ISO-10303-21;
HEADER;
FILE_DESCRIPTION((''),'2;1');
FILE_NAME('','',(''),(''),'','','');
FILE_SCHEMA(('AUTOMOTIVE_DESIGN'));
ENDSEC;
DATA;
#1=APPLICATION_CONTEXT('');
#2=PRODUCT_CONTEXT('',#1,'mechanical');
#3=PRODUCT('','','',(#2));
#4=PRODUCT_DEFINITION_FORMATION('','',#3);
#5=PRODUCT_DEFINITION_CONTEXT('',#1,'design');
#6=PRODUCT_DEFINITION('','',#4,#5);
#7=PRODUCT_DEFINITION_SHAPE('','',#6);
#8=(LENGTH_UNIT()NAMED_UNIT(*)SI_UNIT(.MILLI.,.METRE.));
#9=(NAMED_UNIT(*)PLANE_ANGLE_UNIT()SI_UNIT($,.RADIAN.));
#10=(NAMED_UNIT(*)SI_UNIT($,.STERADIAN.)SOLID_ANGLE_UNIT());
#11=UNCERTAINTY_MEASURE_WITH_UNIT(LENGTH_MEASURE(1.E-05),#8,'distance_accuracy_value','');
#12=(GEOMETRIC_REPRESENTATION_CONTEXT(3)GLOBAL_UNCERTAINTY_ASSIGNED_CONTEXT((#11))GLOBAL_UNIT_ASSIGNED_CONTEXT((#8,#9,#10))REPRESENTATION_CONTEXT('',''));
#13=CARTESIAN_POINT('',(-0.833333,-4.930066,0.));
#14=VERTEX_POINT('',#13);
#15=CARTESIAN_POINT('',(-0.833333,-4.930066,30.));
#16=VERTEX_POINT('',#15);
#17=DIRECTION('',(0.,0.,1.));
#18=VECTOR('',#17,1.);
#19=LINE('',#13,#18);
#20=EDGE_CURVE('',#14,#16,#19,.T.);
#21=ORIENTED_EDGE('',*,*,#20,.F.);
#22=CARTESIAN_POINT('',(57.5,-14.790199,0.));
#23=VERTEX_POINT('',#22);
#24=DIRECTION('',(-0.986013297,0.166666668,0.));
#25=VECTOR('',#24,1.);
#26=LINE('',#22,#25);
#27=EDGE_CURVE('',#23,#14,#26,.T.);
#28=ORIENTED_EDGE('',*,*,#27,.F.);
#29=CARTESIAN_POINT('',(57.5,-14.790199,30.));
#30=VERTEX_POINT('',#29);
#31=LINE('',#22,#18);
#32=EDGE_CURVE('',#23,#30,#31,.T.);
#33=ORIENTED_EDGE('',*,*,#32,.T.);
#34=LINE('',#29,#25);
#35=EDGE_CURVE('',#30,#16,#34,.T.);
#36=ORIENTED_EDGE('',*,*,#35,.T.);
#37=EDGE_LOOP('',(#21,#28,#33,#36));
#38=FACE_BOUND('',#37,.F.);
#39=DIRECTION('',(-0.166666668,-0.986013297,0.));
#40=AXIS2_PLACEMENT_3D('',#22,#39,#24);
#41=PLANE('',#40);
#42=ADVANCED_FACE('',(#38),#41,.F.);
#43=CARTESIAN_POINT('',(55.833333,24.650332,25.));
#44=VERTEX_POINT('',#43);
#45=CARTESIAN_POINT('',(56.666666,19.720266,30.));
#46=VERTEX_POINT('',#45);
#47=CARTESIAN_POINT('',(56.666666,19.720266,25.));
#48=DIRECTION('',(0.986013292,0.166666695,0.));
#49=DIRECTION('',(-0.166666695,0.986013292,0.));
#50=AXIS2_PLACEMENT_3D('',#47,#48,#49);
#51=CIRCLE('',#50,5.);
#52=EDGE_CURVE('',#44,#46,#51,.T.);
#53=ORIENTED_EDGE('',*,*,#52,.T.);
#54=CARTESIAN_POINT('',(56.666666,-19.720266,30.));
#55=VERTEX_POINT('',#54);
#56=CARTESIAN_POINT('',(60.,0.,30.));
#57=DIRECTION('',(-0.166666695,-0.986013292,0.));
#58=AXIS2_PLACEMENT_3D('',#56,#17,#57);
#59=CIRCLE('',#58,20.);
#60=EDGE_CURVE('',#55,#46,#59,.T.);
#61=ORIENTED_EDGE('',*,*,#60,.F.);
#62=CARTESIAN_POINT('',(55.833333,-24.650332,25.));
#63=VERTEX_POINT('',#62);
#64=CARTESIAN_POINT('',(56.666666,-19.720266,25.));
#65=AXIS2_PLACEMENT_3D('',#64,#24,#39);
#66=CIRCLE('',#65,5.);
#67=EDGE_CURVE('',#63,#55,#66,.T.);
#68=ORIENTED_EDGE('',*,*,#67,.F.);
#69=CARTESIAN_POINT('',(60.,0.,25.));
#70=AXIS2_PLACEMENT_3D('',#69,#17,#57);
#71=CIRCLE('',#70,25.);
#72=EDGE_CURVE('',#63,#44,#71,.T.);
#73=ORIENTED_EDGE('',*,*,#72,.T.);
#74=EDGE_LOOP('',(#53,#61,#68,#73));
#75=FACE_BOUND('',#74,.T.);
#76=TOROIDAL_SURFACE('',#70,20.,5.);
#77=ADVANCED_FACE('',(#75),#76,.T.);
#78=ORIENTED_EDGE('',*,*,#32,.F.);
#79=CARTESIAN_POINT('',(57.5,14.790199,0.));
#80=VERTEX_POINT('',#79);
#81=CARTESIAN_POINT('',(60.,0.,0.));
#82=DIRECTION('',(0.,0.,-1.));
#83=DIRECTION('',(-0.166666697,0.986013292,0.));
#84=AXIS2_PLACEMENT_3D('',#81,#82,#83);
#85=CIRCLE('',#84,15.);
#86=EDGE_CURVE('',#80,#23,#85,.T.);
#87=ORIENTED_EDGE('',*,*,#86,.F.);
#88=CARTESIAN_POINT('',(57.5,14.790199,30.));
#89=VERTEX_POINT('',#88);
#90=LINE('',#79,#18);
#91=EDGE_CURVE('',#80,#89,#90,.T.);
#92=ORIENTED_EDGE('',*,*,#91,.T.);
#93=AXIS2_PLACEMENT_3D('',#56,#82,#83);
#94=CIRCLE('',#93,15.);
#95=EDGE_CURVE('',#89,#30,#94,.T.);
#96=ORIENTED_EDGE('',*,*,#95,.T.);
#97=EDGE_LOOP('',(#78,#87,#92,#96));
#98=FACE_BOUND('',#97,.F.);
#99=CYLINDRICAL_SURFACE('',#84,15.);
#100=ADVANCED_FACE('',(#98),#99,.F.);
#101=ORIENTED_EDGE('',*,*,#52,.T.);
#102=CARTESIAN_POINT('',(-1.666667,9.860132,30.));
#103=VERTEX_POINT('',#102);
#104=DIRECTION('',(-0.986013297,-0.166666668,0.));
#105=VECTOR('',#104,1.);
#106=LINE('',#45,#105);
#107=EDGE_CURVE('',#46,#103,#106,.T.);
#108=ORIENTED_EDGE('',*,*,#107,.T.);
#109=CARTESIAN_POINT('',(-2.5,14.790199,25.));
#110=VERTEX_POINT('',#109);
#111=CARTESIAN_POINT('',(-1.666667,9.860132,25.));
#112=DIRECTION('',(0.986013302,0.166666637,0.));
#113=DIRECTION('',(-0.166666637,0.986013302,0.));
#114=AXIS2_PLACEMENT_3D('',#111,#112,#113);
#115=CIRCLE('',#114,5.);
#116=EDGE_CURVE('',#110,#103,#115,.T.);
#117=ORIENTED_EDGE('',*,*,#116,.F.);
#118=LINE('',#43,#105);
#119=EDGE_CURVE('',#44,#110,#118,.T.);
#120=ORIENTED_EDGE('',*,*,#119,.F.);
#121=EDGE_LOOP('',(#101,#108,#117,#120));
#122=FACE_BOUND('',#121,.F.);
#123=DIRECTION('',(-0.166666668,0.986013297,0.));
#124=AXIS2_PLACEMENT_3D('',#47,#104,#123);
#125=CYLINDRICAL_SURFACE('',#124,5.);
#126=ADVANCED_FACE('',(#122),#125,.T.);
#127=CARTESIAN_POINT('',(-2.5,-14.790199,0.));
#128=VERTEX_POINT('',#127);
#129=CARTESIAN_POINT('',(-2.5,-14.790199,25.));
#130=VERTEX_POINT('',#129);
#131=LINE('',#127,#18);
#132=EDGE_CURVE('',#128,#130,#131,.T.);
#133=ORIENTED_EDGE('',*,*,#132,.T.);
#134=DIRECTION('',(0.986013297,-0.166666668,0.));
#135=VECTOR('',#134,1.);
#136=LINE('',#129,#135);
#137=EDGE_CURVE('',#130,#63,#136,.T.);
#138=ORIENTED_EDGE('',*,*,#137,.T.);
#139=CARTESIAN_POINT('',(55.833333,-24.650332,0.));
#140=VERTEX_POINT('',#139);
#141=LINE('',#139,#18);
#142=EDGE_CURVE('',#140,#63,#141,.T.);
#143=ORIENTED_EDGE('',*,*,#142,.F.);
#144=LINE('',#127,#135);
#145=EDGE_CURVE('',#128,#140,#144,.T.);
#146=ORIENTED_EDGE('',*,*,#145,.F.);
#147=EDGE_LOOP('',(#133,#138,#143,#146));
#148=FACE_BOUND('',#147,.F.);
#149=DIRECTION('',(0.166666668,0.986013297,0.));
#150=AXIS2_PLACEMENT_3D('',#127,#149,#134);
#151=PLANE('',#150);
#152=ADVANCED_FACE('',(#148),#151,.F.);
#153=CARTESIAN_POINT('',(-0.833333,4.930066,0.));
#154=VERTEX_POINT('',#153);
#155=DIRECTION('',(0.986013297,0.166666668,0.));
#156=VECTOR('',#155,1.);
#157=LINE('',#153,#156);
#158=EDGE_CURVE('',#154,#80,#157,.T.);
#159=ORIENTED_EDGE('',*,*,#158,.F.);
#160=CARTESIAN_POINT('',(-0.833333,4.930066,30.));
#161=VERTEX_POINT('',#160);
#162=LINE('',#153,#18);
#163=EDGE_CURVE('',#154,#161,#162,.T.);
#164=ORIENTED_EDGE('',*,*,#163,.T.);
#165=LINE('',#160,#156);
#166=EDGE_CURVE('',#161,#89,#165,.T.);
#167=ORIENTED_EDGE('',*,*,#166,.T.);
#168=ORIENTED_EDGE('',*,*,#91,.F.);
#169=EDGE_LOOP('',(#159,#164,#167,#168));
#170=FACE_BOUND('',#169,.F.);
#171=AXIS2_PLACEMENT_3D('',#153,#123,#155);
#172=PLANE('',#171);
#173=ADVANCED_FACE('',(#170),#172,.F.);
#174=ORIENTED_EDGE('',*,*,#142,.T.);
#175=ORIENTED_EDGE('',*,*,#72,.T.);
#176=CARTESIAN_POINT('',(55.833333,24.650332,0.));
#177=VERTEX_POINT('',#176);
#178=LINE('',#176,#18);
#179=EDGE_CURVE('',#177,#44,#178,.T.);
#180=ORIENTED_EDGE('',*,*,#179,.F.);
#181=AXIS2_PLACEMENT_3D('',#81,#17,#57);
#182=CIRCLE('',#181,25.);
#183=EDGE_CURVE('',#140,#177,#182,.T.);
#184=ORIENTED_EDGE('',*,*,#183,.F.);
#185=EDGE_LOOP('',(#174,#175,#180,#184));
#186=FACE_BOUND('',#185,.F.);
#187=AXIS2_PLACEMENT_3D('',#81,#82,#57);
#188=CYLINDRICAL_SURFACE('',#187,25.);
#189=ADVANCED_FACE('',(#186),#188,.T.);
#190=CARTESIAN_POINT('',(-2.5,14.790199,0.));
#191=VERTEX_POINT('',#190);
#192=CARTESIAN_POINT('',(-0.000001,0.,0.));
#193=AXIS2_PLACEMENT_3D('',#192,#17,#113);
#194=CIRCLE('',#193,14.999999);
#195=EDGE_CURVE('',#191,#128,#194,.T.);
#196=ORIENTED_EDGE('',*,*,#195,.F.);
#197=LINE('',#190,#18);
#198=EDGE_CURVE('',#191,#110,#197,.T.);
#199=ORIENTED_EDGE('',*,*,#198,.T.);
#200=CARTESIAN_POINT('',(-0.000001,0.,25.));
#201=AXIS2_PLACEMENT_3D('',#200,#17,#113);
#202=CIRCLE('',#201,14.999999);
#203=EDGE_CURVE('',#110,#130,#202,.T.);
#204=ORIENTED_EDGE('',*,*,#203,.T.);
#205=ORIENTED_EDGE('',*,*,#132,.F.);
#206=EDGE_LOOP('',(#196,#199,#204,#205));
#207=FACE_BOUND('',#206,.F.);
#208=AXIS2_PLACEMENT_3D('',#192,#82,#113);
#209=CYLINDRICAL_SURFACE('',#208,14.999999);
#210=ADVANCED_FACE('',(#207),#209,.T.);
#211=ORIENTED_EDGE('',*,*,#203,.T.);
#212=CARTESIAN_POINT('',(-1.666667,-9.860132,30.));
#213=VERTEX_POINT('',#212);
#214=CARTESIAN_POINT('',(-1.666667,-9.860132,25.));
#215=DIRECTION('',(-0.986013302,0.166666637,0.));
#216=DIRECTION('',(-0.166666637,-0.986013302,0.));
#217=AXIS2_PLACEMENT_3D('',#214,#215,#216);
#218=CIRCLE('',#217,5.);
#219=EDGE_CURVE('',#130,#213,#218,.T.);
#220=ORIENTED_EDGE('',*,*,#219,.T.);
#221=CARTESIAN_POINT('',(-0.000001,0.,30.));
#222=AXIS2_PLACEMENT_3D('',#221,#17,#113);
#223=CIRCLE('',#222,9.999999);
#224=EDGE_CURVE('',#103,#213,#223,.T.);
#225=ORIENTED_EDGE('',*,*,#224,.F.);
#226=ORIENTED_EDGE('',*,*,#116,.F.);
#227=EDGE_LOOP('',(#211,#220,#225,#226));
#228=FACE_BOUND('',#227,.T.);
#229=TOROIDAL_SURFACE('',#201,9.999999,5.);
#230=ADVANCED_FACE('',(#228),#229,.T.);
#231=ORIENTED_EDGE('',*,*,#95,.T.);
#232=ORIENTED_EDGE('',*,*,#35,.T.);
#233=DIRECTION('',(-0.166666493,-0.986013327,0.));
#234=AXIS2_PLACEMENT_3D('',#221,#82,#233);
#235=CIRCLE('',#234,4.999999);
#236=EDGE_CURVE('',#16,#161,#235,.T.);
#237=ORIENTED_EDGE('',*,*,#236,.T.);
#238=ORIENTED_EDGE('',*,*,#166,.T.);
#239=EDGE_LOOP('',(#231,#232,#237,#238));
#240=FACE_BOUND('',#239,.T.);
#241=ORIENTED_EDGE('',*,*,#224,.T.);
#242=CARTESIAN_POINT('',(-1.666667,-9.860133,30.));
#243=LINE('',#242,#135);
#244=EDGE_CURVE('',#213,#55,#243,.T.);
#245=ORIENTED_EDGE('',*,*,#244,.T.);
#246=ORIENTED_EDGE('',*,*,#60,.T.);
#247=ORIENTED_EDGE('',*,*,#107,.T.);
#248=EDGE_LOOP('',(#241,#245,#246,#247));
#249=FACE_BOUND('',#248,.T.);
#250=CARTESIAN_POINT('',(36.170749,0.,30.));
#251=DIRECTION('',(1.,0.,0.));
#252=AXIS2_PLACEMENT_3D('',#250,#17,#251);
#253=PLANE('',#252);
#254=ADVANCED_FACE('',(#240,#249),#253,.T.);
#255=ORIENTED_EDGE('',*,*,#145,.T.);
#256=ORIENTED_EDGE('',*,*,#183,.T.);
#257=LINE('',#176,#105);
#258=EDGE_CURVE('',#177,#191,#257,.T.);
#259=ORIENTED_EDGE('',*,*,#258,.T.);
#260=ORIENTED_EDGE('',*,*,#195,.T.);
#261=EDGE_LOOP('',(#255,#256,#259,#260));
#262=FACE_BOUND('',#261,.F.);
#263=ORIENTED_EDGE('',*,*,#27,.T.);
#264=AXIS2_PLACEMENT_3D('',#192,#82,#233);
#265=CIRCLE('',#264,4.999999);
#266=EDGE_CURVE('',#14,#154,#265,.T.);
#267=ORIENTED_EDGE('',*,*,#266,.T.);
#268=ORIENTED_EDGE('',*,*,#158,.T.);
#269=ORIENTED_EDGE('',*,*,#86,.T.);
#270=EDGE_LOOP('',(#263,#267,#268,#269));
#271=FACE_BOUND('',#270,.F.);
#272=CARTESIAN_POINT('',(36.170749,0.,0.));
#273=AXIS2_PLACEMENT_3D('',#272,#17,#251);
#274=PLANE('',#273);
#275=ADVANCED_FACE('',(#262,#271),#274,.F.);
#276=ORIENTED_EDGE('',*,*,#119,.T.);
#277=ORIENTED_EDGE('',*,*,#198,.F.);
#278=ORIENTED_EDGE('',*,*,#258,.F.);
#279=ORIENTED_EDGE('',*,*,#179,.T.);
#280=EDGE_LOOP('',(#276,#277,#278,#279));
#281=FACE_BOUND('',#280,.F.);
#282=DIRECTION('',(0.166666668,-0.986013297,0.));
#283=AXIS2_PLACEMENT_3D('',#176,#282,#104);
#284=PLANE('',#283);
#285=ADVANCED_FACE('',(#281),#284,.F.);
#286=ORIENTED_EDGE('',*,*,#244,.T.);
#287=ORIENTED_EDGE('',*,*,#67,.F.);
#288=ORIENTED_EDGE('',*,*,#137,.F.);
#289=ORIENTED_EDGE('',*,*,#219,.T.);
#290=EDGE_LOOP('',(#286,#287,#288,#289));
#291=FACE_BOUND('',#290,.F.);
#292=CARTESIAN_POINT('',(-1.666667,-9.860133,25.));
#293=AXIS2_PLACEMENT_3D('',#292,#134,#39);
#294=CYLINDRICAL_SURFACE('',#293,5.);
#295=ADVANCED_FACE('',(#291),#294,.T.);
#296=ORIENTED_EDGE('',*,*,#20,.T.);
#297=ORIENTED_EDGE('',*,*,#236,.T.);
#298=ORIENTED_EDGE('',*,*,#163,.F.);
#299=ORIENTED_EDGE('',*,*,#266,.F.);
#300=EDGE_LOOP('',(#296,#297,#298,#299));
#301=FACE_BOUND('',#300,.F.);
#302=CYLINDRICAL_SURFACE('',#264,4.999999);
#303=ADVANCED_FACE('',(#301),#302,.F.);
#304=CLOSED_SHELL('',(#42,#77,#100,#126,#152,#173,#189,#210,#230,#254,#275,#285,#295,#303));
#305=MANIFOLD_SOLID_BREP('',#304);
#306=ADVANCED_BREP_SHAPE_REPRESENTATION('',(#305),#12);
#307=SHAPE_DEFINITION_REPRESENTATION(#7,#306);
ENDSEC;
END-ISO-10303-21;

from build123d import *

# Parameters (mm, degrees)
F1_DEPTH = 30
F2_R     = 5


with BuildPart() as f1:
    # F0 (on Top) → F1 (new body)
    with BuildSketch(Plane.XY):
        with BuildLine():
            Line((55.833333, 24.650332), (-2.5, 14.790199))
            ThreePointArc((-2.5, 14.790199), (-15, 0), (-2.5, -14.790199))
            Line((-2.5, -14.790199), (55.833333, -24.650332))
            ThreePointArc((55.833333, -24.650332), (85, 0), (55.833333, 24.650332))
        make_face()
        with BuildLine():
            ThreePointArc((-0.833333, -4.930066), (-5, 0), (-0.833333, 4.930066))
            Line((-0.833333, 4.930066), (57.5, 14.790199))
            ThreePointArc((57.5, 14.790199), (75, 0), (57.5, -14.790199))
            Line((57.5, -14.790199), (-0.833333, -4.930066))
        make_face(mode=Mode.SUBTRACT)
    extrude(amount=F1_DEPTH)

    # F2
    f2_edges = [f1.edges().sort_by_distance(p)[0] for p in [
        (-15, 0, 30),
        (26.666667, -19.720266, 30),
        (85, 0, 30),
        (26.666667, 19.720266, 30),
    ]]
    fillet(f2_edges, radius=F2_R)


solid = f1.part
